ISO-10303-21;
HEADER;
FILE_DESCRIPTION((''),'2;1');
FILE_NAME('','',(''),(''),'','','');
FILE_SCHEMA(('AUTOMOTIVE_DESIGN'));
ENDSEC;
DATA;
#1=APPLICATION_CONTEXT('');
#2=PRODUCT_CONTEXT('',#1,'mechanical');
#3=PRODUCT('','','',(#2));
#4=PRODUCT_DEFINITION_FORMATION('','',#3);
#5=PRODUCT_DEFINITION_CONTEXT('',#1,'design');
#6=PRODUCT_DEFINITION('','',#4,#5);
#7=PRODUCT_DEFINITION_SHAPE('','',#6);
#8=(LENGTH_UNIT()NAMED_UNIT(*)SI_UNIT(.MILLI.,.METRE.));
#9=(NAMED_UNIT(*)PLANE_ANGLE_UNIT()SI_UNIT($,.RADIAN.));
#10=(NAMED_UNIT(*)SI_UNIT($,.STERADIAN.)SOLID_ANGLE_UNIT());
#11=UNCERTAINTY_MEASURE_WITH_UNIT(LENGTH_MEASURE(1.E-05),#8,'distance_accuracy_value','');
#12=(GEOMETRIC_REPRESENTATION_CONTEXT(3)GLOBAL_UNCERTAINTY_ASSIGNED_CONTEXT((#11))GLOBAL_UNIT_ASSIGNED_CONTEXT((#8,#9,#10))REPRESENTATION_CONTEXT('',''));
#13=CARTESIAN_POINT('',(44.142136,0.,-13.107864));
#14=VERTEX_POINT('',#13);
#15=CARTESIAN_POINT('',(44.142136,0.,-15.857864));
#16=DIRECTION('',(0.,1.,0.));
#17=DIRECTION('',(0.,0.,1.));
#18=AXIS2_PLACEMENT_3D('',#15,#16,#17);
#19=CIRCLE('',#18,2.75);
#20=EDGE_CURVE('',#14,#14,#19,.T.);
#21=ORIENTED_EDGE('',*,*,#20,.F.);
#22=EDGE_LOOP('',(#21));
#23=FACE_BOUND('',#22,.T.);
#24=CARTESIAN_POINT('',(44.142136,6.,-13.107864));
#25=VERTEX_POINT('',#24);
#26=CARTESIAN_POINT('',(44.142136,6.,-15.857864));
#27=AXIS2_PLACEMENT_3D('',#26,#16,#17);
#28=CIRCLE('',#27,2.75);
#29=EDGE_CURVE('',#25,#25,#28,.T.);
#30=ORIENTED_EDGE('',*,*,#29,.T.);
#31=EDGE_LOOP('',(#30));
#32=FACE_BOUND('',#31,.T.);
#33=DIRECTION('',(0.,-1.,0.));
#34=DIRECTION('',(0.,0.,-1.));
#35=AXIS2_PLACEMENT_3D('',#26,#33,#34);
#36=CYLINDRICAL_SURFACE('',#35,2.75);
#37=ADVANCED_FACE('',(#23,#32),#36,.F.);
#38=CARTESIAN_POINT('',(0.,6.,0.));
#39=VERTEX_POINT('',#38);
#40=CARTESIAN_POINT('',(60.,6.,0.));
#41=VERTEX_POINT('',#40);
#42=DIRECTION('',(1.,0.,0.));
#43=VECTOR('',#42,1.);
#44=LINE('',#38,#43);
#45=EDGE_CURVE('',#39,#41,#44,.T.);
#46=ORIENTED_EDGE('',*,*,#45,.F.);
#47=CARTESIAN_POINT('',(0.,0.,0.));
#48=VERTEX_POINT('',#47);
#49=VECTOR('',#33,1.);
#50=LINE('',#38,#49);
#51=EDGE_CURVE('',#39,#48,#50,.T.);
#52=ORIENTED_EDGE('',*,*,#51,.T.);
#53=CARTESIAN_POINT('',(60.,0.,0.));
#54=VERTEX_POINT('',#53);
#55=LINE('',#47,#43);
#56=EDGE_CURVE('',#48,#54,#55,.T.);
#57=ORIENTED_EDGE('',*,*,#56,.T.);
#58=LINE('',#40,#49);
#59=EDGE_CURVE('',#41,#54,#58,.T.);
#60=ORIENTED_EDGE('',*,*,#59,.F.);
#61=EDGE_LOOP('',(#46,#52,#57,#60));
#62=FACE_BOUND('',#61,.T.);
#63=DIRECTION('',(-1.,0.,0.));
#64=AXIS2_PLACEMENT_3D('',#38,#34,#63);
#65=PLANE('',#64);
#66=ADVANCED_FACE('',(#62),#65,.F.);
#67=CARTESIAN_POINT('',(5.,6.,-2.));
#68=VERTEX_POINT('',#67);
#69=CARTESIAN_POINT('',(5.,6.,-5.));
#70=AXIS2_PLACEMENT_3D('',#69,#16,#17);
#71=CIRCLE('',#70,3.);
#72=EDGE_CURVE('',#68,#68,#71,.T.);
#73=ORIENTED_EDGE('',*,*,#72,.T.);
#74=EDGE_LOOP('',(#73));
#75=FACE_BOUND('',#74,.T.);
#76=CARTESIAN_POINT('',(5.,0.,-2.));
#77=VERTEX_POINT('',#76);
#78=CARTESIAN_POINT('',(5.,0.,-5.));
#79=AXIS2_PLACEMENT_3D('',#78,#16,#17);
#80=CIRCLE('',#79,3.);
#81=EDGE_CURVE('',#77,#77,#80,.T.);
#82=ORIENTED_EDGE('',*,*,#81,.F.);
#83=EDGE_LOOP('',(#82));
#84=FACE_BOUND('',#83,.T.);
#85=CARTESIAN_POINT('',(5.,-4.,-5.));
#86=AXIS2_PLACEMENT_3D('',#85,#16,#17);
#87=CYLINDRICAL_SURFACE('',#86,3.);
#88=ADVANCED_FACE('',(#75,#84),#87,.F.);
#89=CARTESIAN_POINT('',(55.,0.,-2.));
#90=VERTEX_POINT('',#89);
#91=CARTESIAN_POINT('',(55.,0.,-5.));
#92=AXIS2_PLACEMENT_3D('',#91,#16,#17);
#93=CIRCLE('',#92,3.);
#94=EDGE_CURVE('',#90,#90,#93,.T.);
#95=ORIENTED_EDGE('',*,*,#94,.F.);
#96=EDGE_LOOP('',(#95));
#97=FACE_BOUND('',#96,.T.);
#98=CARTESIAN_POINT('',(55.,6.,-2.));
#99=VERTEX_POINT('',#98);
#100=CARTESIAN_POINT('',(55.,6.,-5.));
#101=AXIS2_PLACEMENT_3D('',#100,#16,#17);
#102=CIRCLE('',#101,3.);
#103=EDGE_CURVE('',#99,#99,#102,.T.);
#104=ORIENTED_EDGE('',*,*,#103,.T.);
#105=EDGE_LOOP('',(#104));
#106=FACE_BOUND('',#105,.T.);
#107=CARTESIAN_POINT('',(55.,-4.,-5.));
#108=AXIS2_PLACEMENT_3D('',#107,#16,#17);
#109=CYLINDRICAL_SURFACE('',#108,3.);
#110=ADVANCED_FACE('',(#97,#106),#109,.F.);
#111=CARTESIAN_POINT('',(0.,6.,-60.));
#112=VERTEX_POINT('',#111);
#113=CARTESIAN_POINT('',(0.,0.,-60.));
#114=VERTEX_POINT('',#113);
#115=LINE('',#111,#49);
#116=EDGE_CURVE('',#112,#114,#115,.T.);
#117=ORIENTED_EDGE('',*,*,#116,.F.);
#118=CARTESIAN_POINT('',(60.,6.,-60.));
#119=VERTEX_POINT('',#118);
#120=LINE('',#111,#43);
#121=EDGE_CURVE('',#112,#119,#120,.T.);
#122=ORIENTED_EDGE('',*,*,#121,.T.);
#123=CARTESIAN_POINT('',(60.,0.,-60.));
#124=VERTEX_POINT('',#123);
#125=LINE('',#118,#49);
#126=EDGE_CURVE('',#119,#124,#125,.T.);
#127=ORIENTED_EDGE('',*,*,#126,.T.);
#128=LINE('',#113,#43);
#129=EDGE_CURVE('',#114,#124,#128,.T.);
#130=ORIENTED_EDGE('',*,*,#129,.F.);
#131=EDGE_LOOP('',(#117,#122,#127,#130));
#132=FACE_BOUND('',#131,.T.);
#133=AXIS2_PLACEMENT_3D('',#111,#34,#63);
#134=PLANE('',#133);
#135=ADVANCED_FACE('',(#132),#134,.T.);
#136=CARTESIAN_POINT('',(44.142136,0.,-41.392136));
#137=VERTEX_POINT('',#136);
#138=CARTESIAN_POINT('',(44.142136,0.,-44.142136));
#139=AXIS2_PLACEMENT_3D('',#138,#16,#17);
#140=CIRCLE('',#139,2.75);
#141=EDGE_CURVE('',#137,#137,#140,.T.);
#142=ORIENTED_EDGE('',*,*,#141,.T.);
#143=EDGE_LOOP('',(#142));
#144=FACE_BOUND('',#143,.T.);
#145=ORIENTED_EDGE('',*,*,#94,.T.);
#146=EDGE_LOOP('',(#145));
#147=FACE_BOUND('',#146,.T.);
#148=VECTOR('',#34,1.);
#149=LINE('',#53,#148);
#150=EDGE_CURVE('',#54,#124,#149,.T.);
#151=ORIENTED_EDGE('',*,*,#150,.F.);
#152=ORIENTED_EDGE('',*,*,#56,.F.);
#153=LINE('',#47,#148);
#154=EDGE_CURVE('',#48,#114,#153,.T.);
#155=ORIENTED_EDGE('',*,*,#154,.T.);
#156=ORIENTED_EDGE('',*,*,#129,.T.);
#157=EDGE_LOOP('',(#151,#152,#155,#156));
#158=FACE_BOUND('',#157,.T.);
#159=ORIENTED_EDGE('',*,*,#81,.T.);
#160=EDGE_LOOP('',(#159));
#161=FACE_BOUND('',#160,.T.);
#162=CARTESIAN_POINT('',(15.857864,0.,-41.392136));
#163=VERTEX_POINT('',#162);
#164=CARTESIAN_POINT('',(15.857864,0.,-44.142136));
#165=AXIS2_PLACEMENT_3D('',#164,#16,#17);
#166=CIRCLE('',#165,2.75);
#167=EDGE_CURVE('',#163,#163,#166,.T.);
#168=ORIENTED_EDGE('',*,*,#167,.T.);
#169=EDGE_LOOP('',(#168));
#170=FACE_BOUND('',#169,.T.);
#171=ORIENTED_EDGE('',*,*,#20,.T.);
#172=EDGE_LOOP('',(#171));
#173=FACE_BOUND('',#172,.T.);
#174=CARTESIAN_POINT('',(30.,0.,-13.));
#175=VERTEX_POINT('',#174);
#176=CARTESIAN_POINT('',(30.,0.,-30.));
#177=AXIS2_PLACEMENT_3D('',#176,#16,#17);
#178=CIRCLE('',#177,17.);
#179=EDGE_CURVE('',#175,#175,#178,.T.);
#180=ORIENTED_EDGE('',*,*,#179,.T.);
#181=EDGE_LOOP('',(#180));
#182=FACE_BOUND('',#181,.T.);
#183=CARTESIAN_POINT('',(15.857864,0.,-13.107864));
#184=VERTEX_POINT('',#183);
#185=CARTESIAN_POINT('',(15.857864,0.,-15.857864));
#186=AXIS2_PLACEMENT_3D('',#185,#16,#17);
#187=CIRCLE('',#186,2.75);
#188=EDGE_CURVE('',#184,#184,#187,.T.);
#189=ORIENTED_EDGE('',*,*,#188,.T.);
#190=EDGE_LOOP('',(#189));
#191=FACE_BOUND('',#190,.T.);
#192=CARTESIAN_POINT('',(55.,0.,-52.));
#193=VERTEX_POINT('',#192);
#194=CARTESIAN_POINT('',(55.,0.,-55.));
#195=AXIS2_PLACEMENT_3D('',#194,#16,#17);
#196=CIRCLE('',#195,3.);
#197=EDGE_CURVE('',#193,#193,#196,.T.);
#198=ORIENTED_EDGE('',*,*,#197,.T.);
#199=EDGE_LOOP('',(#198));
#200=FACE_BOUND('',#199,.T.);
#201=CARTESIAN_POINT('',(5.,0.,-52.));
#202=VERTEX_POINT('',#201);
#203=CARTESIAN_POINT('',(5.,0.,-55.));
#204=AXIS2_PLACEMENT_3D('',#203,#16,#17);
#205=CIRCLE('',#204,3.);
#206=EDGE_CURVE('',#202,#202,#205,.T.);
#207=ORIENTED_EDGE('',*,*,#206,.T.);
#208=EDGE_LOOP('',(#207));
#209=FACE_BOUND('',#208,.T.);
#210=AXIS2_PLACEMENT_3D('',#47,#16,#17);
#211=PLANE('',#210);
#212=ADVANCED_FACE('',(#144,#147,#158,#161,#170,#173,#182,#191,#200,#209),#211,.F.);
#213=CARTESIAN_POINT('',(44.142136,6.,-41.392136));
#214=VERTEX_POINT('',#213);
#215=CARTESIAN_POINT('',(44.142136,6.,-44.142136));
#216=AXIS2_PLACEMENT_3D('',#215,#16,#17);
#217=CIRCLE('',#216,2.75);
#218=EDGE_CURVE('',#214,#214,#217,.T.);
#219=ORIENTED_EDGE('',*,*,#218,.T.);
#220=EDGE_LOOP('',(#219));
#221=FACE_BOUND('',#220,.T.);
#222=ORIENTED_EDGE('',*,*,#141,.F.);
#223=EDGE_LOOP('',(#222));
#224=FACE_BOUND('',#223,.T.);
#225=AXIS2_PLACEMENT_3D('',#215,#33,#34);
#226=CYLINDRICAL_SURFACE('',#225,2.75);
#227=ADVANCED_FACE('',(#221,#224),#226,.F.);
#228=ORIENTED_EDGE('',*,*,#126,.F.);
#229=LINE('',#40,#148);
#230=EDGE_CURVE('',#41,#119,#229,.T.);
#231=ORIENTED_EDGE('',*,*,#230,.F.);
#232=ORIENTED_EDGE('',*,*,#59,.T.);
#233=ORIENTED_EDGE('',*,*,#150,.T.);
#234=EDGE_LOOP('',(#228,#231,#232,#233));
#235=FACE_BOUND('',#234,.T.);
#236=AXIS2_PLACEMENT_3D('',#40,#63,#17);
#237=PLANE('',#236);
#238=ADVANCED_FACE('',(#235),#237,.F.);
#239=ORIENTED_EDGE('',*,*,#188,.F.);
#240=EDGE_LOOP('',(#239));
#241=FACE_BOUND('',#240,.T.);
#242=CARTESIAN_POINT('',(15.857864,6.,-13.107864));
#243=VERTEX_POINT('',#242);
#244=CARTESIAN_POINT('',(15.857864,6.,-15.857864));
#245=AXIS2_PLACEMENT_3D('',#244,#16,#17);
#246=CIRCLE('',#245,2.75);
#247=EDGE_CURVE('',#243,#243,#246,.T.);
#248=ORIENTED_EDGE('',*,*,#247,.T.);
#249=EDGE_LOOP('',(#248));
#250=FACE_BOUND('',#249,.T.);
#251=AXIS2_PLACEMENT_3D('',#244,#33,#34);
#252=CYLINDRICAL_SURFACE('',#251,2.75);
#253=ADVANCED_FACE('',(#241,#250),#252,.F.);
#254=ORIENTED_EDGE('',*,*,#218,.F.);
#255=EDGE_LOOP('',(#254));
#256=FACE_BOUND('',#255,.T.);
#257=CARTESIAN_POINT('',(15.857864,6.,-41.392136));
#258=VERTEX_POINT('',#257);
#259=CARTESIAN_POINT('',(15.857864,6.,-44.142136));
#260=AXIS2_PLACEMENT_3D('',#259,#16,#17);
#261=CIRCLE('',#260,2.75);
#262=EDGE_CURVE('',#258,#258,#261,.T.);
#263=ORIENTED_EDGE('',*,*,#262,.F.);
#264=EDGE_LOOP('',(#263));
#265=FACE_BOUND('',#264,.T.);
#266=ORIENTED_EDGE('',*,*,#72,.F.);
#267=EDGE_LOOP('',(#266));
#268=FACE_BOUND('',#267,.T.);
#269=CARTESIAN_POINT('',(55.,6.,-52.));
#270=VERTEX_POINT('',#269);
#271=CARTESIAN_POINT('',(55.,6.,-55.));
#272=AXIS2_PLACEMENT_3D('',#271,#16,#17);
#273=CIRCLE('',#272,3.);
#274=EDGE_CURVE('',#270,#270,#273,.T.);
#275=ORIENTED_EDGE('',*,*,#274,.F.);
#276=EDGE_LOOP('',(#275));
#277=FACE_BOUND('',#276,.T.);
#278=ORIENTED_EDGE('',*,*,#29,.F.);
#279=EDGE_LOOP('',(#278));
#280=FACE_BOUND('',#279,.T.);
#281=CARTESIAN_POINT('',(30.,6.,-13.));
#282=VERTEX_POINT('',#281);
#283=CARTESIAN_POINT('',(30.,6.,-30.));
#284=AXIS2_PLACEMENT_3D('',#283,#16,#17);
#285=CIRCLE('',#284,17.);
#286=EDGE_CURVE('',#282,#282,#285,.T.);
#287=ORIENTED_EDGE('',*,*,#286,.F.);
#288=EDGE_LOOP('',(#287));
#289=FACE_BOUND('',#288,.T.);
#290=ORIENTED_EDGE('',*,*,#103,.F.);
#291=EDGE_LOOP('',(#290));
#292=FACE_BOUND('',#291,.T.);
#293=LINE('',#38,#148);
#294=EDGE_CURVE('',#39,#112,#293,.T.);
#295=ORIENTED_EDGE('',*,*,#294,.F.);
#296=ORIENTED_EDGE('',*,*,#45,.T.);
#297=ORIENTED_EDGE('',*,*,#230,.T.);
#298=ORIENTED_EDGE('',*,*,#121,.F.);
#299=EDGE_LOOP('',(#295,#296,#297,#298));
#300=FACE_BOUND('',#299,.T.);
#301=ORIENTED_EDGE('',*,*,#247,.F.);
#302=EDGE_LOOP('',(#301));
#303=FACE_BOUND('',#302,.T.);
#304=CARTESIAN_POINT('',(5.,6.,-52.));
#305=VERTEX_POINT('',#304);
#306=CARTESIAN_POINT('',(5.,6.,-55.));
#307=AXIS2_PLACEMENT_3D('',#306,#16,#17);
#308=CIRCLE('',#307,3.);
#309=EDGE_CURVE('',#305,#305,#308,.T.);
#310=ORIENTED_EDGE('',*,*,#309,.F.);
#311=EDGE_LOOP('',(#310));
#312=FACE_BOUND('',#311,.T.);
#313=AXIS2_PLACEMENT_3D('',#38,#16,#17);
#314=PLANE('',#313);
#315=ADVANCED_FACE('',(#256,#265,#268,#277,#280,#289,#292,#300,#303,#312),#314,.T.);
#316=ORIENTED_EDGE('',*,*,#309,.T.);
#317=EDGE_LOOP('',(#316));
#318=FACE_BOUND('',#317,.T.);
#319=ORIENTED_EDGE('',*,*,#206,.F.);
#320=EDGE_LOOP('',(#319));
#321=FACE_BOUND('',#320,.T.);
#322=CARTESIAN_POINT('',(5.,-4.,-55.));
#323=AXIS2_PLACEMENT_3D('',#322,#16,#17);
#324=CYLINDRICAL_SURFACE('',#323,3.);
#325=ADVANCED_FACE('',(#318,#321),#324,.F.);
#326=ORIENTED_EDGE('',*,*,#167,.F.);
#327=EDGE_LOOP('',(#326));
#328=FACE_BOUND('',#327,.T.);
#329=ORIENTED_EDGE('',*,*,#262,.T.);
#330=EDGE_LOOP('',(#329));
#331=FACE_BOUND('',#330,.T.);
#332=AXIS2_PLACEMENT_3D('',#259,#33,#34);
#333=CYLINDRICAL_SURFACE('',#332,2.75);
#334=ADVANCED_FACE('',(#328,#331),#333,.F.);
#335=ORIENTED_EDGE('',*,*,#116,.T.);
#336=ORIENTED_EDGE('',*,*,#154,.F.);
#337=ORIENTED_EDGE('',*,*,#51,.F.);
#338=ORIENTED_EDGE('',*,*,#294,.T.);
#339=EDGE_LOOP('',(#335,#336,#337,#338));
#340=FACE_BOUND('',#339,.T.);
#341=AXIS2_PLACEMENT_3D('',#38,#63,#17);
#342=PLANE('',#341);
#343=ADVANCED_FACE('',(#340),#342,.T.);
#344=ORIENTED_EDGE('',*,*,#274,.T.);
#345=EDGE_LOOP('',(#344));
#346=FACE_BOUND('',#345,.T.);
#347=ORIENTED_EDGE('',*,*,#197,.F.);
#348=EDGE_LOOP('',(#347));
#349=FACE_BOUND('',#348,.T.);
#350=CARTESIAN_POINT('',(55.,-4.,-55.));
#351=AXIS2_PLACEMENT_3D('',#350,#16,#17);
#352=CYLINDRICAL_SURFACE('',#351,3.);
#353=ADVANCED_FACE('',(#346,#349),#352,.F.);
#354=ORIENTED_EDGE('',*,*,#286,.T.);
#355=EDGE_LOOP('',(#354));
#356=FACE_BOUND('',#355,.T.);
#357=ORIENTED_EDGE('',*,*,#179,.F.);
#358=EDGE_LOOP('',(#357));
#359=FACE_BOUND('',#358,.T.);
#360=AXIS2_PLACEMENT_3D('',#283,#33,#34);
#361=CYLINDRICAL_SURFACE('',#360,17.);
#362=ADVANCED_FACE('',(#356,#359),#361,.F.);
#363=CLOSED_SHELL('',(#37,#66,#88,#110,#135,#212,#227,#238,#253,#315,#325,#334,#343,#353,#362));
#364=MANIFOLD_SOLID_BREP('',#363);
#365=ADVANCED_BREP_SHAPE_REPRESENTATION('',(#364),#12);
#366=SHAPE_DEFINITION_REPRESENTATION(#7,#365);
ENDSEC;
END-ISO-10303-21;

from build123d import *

# Parameters (mm, degrees)
SKETCH1_W           = 60
SKETCH1_H           = 60
SKETCH1_R           = 2.75
SKETCH1_R_2         = 17
BOSS_EXTRUDE1_DEPTH = 6
SKETCH3_R           = 3
CUT_EXTRUDE1_DEPTH  = 10


with BuildPart() as part:
    # Sketch1 → Boss-Extrude1 (new body)
    with BuildSketch(Plane(origin=(0, 0, 0), x_dir=(1, 0, 0), z_dir=(0, 1, 0))):
        with Locations((30, 30)):
            Rectangle(SKETCH1_W, SKETCH1_H)
        with Locations(Location((15.857864376, 44.142135624, 0), (0, 0, 270))):
            Circle(SKETCH1_R, mode=Mode.SUBTRACT)
        with Locations(Location((30, 30, 0), (0, 0, 270))):
            Circle(SKETCH1_R_2, mode=Mode.SUBTRACT)
        with Locations(Location((44.142135624, 44.142135624, 0), (0, 0, 270))):
            Circle(SKETCH1_R, mode=Mode.SUBTRACT)
        with Locations(Location((44.142135624, 15.857864376, 0), (0, 0, 270))):
            Circle(SKETCH1_R, mode=Mode.SUBTRACT)
        with Locations(Location((15.857864376, 15.857864376, 0), (0, 0, 270))):
            Circle(SKETCH1_R, mode=Mode.SUBTRACT)
    extrude(amount=BOSS_EXTRUDE1_DEPTH)

    # Sketch3 → Cut-Extrude1 (cut)
    with BuildSketch(Plane(origin=(0, 6, 0), x_dir=(1, 0, 0), z_dir=(0, 1, 0))):
        with Locations(Location((5, 55, 0), (0, 0, 270))):
            Circle(SKETCH3_R)
        with Locations(Location((55, 55, 0), (0, 0, 270))):
            Circle(SKETCH3_R)
        with Locations(Location((55, 5, 0), (0, 0, 270))):
            Circle(SKETCH3_R)
        with Locations(Location((5, 5, 0), (0, 0, 270))):
            Circle(SKETCH3_R)
    extrude(amount=-CUT_EXTRUDE1_DEPTH, mode=Mode.SUBTRACT)


solid = part.part
